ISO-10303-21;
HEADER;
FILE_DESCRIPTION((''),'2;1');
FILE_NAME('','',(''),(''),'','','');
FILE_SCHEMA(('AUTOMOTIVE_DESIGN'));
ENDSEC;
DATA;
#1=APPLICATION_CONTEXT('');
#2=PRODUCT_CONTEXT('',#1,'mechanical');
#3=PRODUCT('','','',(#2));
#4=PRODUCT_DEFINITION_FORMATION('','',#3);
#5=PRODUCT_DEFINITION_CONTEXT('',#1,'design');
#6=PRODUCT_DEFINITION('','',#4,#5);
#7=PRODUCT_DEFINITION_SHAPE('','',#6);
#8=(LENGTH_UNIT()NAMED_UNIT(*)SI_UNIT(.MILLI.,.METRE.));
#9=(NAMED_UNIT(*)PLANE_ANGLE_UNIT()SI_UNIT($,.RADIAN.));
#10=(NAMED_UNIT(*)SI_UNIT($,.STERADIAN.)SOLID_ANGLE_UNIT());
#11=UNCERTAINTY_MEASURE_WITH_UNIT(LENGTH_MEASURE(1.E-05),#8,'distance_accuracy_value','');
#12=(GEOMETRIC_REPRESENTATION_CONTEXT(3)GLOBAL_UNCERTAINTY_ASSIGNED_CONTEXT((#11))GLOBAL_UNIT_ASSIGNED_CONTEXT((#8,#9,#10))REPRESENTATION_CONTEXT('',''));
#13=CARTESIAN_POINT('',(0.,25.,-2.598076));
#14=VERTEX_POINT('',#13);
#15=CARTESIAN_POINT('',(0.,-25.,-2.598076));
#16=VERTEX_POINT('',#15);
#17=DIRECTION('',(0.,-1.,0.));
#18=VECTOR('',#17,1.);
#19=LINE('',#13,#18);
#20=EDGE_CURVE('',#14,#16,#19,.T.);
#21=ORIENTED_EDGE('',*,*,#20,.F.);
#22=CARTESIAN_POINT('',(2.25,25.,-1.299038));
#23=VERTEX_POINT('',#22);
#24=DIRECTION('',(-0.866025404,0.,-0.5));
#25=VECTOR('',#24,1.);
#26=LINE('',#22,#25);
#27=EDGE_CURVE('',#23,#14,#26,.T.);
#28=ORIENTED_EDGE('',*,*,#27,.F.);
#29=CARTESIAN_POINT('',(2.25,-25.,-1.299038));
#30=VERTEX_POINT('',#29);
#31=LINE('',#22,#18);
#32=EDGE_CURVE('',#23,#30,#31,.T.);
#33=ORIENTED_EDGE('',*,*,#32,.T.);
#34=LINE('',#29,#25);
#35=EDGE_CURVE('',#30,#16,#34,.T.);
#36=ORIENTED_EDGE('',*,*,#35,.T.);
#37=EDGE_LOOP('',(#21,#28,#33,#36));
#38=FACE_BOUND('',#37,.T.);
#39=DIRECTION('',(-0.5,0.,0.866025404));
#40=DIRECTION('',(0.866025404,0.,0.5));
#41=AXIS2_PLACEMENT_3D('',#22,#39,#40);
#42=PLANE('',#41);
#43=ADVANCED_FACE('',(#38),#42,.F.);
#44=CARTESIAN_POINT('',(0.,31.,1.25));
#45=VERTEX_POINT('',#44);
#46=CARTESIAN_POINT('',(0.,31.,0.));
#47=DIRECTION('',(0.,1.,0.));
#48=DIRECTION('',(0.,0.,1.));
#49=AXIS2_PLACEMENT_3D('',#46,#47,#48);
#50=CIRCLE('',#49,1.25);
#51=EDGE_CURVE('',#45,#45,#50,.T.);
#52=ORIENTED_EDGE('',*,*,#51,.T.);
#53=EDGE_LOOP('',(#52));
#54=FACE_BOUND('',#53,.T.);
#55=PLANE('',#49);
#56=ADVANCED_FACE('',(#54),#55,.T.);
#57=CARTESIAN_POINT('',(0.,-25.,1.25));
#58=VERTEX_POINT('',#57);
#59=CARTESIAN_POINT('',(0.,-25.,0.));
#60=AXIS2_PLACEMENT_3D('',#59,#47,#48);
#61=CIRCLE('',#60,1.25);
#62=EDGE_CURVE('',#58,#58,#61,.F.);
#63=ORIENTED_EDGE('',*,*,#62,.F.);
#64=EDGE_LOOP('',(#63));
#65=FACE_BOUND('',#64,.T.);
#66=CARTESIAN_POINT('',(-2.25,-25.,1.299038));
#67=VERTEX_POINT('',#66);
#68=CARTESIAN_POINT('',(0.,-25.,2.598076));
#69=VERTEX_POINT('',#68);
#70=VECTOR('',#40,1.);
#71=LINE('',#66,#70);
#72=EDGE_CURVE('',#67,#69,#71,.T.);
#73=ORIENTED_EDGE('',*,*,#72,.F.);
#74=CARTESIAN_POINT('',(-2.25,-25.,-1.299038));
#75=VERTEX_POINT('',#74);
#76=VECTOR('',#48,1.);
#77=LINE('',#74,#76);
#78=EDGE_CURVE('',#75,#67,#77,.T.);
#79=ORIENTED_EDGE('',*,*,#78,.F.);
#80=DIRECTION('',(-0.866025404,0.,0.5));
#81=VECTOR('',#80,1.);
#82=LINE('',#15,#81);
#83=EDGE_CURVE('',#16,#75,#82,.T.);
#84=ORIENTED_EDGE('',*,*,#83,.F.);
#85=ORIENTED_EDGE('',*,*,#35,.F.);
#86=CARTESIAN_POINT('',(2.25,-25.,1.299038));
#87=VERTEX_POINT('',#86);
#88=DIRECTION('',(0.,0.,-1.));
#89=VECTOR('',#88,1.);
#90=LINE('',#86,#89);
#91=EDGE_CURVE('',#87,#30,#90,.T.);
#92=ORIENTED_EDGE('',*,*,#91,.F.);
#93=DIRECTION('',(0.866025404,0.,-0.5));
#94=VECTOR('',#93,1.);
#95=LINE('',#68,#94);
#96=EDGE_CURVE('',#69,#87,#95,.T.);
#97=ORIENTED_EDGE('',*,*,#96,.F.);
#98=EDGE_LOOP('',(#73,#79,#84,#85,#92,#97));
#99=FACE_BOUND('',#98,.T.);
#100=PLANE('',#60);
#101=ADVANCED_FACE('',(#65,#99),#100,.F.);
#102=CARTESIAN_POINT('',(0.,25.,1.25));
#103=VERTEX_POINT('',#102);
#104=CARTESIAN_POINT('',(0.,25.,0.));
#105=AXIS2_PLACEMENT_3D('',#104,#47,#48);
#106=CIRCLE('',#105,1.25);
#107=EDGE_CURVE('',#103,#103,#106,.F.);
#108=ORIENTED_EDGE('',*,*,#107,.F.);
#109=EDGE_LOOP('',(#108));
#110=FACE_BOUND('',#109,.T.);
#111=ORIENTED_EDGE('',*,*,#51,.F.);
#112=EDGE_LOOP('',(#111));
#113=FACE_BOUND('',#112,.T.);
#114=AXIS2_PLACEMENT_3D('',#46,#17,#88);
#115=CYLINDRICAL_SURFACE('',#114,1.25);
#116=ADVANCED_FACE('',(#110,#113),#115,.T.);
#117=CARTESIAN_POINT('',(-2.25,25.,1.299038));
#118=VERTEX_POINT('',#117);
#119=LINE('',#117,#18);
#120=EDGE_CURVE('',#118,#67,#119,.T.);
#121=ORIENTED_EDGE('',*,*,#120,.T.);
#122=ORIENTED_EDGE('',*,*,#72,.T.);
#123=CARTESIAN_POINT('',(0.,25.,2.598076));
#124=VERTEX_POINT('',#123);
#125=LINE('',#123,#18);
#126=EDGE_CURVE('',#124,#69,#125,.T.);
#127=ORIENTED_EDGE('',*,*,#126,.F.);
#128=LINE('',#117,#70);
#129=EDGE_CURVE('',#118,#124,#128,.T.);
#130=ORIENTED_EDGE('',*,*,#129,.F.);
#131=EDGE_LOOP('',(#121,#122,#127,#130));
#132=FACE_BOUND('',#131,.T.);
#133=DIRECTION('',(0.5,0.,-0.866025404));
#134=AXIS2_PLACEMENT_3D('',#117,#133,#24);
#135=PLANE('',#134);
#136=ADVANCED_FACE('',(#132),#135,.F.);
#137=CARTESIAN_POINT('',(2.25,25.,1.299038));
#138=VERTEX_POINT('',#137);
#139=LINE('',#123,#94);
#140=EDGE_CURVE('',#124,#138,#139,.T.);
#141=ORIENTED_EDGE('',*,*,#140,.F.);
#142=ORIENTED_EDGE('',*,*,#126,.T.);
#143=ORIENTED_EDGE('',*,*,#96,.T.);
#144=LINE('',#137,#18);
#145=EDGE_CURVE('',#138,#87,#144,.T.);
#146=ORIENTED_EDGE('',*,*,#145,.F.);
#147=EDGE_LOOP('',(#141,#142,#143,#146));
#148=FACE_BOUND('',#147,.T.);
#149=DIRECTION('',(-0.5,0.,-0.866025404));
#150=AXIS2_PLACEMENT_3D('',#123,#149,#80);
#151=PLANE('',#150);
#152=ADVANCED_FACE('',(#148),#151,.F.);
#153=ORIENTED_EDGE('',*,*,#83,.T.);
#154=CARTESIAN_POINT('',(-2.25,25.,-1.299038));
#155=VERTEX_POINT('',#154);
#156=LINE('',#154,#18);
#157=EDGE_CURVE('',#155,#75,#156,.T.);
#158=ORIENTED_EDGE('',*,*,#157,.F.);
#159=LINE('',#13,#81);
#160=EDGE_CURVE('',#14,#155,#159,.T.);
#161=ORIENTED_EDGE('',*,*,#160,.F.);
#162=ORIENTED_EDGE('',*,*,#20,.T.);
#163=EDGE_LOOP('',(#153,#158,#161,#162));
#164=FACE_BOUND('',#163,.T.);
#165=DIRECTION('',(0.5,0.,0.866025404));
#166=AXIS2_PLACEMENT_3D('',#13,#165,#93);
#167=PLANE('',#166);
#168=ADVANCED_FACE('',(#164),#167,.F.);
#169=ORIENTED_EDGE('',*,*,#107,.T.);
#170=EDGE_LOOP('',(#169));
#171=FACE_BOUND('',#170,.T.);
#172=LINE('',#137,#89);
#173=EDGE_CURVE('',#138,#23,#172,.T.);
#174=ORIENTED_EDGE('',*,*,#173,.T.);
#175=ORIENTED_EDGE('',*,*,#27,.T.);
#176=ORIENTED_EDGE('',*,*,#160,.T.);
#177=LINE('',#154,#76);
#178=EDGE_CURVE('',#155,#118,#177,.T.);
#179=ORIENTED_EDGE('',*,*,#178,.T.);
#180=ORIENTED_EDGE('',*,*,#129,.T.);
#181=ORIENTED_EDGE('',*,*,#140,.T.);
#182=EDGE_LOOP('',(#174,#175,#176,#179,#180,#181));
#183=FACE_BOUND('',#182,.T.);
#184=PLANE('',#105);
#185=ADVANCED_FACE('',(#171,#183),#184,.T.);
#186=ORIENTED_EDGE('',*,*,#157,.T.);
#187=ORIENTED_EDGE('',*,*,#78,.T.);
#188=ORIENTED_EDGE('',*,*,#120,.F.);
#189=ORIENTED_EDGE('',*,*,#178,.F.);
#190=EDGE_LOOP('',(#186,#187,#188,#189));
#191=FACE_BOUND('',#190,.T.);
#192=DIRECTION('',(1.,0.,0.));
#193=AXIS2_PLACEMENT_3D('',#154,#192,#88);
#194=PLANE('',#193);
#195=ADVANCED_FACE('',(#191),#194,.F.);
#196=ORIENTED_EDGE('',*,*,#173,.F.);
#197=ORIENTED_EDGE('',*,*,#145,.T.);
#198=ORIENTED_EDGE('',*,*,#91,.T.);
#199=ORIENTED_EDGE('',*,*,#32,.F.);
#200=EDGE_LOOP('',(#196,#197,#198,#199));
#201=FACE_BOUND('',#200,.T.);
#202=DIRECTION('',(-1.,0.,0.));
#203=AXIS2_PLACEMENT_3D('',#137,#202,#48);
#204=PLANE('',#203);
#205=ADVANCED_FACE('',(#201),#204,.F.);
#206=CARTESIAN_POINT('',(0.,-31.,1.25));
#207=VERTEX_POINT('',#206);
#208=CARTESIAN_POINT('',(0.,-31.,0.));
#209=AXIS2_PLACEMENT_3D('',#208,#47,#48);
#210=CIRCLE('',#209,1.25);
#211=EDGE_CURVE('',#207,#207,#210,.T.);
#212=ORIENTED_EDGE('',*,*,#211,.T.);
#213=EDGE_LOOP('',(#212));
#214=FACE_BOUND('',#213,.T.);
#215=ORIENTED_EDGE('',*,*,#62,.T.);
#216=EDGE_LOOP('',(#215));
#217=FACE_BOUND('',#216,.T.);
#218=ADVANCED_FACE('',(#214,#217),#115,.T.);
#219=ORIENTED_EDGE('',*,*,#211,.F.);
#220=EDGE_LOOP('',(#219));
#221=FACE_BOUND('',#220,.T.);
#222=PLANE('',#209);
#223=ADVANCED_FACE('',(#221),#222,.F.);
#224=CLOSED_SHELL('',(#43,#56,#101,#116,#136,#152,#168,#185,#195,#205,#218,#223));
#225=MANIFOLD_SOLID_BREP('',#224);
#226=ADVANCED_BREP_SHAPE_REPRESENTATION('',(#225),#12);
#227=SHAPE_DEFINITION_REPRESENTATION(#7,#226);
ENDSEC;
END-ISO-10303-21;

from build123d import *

# Parameters (mm, degrees)
EXTRUDE_1_DEPTH = 25
SKETCH_2_R      = 1.25
EXTRUDE_2_DEPTH = 31


with BuildPart() as part:
    # 草图1 → 凸台-拉伸1 (new body, symmetric)
    with BuildSketch(Plane(origin=(0, 0, 0), x_dir=(1, 0, 0), z_dir=(0, 1, 0))):
        Polygon((2.25, -1.299038106), (2.25, 1.299038106), (0, 2.598076211), (-2.25, 1.299038106), (-2.25, -1.299038106), (0, -2.598076211), align=None)
    extrude(amount=EXTRUDE_1_DEPTH, both=True)

    # 草图2 → 凸台-拉伸2 (add, symmetric)
    with BuildSketch(Plane(origin=(0, 0, 0), x_dir=(1, 0, 0), z_dir=(0, 1, 0))):
        Circle(SKETCH_2_R)
    extrude(amount=EXTRUDE_2_DEPTH, both=True)


solid = part.part
